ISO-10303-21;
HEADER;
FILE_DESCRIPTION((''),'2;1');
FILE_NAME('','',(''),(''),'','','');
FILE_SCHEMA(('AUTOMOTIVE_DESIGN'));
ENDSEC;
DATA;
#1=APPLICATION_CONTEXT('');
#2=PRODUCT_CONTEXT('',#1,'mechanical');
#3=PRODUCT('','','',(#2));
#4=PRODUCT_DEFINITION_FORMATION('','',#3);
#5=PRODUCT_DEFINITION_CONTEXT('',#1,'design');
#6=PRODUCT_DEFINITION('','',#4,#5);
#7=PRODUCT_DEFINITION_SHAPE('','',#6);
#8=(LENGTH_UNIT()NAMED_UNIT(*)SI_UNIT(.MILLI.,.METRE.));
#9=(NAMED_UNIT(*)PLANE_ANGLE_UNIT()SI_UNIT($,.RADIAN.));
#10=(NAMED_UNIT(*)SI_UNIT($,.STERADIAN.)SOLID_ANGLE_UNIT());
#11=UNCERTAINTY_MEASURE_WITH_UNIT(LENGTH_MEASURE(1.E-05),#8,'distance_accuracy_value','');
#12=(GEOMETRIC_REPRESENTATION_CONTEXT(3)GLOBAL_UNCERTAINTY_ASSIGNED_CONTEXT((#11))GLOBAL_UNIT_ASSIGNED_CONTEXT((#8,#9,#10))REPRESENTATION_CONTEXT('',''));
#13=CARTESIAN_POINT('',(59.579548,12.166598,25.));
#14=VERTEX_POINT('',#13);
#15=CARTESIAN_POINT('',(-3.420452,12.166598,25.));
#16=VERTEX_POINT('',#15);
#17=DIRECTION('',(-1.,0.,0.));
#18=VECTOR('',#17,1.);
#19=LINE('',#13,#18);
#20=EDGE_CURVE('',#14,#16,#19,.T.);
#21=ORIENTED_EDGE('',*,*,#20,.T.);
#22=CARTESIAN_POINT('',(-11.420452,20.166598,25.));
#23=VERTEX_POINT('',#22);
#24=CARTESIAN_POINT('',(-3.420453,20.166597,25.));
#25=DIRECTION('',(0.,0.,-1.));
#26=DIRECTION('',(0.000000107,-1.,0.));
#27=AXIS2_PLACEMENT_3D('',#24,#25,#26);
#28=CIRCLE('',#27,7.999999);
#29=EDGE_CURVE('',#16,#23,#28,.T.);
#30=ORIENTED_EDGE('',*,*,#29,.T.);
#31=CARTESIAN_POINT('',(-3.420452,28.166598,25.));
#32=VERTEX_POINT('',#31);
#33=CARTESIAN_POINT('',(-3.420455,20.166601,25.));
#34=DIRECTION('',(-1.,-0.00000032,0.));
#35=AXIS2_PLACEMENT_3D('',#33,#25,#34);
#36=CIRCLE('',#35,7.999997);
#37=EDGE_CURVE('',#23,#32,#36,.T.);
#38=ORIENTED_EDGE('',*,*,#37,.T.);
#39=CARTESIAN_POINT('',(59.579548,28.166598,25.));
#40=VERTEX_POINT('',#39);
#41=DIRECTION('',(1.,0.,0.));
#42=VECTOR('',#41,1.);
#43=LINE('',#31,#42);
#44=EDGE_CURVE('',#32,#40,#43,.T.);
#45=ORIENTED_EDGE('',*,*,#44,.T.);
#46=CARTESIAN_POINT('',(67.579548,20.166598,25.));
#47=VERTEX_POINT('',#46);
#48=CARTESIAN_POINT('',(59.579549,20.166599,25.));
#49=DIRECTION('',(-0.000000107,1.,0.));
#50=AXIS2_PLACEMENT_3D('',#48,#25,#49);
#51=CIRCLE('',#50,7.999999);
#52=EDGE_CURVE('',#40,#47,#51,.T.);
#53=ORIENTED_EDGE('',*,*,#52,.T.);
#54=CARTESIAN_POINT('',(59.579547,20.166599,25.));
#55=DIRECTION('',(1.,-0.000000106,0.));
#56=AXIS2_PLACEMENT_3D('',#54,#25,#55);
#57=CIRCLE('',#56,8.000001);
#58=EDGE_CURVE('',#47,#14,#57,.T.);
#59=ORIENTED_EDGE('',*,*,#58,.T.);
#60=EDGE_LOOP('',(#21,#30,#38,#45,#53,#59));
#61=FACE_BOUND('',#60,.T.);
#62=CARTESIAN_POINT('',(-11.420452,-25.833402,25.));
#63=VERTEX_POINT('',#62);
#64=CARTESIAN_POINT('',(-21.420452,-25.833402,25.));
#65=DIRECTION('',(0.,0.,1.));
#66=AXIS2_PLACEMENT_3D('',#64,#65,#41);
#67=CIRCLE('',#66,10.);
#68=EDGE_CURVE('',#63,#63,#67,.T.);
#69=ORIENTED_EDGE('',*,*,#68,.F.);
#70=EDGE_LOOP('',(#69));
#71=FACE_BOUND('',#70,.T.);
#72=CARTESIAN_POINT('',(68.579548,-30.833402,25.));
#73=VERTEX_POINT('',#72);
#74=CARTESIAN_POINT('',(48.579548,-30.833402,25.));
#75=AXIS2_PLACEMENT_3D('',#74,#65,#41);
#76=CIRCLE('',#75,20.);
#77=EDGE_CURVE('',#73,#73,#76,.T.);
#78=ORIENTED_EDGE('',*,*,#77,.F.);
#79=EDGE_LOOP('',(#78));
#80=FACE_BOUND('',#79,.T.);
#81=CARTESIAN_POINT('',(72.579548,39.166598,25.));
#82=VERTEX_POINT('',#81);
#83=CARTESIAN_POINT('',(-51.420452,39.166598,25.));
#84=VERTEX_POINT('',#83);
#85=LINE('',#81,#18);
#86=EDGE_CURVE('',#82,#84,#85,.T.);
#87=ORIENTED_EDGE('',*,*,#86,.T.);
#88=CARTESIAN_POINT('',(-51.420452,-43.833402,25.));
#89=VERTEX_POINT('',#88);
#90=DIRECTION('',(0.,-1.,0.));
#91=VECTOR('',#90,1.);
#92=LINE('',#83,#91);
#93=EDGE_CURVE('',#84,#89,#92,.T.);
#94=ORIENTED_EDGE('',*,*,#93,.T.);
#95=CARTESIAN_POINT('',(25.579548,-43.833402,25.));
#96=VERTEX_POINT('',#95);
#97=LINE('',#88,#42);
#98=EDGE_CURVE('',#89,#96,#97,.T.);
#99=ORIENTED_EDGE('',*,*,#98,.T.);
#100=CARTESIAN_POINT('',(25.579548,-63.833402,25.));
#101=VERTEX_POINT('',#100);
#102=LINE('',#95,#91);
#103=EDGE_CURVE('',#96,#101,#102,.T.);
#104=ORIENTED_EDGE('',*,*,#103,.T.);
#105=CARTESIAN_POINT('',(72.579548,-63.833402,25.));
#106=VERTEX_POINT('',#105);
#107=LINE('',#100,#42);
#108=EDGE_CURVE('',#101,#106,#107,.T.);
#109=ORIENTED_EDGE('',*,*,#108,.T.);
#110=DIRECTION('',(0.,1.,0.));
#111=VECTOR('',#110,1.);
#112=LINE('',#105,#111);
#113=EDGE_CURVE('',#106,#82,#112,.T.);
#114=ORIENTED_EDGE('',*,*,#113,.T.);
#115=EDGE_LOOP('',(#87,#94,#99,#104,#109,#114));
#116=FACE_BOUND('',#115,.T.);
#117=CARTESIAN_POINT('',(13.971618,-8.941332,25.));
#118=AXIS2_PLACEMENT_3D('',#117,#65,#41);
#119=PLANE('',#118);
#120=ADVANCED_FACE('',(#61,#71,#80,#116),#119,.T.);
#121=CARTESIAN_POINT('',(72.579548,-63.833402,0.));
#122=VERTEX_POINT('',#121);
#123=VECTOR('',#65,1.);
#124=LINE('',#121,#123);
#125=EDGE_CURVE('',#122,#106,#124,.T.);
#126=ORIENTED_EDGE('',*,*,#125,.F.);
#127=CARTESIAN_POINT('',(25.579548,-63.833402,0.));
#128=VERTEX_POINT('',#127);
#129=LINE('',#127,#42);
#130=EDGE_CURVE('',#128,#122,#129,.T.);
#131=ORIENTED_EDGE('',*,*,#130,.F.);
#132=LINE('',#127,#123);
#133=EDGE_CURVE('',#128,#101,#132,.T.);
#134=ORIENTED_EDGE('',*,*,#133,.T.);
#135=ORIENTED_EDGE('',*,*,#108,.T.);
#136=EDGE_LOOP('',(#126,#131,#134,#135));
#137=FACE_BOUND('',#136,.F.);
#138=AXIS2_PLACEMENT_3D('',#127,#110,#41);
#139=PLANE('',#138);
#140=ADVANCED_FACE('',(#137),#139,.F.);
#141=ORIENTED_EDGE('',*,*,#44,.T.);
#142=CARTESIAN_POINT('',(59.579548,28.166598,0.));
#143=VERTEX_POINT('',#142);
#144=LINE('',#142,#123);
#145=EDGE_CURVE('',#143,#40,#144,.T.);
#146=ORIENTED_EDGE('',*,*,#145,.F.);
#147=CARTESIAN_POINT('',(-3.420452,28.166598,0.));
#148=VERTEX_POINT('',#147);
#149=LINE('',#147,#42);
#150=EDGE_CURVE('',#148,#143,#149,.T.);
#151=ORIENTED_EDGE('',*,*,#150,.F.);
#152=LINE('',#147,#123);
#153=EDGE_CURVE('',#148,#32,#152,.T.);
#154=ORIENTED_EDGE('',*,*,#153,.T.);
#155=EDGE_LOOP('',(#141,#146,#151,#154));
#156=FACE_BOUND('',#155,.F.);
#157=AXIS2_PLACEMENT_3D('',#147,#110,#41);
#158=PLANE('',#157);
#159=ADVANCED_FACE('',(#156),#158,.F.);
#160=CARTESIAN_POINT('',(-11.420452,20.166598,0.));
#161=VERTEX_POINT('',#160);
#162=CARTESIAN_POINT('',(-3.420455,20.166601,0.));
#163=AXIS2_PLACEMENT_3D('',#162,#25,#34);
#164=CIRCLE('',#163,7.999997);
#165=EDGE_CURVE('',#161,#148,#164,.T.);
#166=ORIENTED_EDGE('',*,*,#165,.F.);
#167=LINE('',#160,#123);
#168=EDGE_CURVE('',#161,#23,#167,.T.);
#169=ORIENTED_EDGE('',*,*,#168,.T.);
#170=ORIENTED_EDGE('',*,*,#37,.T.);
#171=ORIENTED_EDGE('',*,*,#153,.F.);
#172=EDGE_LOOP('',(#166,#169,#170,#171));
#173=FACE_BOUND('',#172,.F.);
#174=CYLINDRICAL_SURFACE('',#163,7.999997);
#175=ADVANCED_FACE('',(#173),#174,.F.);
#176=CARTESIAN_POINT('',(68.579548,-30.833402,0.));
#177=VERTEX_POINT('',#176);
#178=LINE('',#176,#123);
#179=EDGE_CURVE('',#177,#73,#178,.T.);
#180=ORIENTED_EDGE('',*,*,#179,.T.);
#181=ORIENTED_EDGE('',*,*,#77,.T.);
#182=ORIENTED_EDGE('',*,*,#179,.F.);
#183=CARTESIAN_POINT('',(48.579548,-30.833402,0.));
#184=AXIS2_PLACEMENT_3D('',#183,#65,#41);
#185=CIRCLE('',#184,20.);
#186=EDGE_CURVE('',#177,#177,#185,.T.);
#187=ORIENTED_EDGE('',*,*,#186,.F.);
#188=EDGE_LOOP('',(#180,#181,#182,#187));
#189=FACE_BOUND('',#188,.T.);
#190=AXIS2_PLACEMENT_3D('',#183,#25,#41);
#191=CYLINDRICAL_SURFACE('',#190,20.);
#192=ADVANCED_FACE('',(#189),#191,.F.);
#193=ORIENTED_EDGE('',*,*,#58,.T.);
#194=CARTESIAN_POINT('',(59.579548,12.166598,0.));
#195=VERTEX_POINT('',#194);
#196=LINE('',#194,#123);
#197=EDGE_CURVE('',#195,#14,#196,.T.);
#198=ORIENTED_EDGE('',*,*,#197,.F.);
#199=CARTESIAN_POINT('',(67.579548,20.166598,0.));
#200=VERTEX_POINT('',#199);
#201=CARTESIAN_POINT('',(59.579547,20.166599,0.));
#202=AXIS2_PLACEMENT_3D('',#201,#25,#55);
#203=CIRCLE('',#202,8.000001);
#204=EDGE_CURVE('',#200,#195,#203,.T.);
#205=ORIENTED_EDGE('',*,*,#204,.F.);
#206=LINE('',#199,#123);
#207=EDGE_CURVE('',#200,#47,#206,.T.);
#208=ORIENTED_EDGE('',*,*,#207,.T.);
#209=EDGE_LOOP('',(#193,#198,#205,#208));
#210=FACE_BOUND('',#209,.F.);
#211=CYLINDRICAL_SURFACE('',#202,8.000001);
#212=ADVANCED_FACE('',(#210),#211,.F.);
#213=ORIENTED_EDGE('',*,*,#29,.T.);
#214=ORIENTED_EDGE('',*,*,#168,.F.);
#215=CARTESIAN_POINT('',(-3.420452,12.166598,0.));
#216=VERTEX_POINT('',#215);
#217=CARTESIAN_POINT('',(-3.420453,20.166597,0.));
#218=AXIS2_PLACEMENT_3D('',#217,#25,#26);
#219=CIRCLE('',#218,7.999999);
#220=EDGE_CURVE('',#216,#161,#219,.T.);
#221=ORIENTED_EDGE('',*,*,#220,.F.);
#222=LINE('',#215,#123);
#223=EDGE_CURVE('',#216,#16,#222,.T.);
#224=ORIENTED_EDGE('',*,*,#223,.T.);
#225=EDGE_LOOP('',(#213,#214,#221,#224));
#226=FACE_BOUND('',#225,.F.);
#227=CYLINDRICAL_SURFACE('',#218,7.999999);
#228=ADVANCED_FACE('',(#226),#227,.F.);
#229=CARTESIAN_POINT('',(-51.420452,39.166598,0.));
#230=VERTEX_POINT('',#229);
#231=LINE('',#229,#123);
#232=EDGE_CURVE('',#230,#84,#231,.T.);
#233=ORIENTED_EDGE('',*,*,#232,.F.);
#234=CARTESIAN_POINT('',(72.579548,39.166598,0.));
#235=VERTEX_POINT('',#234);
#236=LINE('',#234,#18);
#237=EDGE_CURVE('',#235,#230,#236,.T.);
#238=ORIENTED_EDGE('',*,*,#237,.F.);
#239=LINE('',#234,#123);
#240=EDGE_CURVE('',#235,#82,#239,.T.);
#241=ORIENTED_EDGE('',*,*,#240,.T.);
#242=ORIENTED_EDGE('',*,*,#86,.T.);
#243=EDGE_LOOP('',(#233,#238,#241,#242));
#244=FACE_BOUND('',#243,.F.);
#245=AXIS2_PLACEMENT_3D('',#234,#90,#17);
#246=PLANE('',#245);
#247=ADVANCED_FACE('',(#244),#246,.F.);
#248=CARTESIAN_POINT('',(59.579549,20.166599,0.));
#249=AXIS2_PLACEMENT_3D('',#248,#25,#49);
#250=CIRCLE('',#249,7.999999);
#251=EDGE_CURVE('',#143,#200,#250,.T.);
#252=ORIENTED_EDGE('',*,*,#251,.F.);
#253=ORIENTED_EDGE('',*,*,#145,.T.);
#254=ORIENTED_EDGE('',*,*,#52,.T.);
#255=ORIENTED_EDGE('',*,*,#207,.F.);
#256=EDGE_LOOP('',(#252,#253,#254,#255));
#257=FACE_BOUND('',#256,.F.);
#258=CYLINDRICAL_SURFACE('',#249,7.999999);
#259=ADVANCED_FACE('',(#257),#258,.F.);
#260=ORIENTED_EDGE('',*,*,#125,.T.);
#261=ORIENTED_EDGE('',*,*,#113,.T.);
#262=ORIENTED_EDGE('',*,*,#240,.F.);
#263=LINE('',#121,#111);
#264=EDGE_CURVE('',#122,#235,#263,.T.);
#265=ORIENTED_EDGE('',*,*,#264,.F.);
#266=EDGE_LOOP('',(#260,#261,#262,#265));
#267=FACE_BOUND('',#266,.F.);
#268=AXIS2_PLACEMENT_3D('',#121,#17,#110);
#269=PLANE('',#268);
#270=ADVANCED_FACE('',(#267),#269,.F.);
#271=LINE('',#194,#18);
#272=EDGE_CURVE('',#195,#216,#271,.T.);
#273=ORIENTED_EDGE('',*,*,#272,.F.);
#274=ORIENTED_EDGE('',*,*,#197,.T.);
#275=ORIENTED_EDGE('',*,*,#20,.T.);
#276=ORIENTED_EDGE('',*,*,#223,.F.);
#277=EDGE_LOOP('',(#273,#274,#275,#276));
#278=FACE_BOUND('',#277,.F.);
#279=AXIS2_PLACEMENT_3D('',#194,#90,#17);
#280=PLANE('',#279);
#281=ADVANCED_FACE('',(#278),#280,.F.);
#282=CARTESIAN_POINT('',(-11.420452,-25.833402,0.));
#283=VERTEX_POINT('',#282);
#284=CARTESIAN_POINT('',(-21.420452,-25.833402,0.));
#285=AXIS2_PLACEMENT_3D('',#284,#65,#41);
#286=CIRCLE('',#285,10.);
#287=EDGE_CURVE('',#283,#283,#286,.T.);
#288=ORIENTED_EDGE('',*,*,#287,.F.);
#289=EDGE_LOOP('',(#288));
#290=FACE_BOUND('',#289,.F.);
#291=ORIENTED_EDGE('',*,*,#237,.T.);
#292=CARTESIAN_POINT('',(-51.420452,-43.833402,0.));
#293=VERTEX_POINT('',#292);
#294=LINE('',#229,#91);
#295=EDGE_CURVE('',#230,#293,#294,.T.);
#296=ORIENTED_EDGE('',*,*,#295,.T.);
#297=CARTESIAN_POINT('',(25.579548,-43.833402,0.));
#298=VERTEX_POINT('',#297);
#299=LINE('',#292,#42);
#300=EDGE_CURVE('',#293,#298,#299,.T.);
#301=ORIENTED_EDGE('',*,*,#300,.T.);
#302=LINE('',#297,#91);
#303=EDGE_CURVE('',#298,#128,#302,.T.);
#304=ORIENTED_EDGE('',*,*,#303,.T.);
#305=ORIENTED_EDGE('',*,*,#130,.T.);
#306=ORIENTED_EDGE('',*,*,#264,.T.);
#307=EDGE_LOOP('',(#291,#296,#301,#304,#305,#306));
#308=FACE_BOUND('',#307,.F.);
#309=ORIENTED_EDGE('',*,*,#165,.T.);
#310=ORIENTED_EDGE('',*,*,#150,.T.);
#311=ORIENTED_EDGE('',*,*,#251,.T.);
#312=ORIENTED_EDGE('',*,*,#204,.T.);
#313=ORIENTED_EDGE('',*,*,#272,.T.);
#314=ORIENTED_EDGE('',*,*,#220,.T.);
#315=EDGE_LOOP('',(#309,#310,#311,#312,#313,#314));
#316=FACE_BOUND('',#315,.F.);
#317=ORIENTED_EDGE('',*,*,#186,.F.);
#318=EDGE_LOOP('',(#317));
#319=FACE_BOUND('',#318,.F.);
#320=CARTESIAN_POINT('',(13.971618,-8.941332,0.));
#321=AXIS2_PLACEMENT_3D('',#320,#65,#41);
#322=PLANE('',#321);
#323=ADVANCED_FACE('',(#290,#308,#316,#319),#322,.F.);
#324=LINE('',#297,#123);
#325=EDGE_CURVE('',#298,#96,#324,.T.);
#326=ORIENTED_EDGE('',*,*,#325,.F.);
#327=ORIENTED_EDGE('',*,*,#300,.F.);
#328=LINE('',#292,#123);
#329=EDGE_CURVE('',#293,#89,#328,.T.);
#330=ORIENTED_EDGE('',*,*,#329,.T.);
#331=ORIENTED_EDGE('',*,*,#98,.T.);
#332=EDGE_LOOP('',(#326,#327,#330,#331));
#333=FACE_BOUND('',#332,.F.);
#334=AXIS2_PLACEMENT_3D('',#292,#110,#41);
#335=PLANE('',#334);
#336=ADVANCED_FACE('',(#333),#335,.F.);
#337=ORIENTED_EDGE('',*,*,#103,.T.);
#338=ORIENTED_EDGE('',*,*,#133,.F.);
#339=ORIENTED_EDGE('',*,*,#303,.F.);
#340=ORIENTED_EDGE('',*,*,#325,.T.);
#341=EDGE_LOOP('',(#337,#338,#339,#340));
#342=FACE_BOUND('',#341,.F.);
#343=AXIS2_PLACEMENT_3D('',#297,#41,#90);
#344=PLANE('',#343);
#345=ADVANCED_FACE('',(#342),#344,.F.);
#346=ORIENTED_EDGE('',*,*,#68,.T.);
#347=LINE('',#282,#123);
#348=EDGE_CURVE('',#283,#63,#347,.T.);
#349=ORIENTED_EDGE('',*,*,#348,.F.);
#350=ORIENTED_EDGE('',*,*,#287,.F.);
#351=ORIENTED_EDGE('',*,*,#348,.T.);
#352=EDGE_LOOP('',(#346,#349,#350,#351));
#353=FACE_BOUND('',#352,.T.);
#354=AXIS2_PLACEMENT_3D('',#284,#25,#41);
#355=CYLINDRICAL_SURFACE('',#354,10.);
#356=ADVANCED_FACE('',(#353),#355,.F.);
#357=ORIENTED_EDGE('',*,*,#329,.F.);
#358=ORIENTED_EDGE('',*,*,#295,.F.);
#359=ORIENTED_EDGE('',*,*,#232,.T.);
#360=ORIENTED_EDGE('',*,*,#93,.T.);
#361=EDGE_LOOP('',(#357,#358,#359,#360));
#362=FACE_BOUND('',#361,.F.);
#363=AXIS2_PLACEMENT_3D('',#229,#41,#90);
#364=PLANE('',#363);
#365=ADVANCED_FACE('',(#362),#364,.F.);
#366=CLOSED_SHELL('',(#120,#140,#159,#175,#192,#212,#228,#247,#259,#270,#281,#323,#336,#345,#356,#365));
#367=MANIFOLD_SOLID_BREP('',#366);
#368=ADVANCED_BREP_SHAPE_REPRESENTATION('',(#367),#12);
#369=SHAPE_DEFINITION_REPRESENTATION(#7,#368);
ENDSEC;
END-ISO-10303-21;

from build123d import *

# Parameters (mm, degrees)
F0_R     = 10
F0_R_2   = 20
F1_DEPTH = 25


with BuildPart() as f1:
    # F0 (on Top) → F1 (new body)
    with BuildSketch(Plane.XY):
        Polygon((72.579548, 39.166598), (-51.420452, 39.166598), (-51.420452, -25.833402), (-51.420452, -43.833402), (-21.420452, -43.833402), (25.579548, -43.833402), (25.579548, -63.833402), (49.079548, -63.833402), (72.579548, -63.833402), (72.579548, 25.166598), align=None)
        with Locations((-21.420452, -25.833402)):
            Circle(F0_R, mode=Mode.SUBTRACT)
        with Locations((48.579548, -30.833402)):
            Circle(F0_R_2, mode=Mode.SUBTRACT)
        with BuildLine():
            Line((-3.420452, 28.166598), (59.579548, 28.166598))
            ThreePointArc((59.579548, 28.166598), (65.236402, 25.823453), (67.579548, 20.166598))
            ThreePointArc((67.579548, 20.166598), (65.236402, 14.509744), (59.579548, 12.166598))
            Line((59.579548, 12.166598), (-3.420452, 12.166598))
            ThreePointArc((-3.420452, 12.166598), (-9.077307, 14.509744), (-11.420452, 20.166598))
            ThreePointArc((-11.420452, 20.166598), (-9.077307, 25.823453), (-3.420452, 28.166598))
        make_face(mode=Mode.SUBTRACT)
    extrude(amount=F1_DEPTH)


solid = f1.part
